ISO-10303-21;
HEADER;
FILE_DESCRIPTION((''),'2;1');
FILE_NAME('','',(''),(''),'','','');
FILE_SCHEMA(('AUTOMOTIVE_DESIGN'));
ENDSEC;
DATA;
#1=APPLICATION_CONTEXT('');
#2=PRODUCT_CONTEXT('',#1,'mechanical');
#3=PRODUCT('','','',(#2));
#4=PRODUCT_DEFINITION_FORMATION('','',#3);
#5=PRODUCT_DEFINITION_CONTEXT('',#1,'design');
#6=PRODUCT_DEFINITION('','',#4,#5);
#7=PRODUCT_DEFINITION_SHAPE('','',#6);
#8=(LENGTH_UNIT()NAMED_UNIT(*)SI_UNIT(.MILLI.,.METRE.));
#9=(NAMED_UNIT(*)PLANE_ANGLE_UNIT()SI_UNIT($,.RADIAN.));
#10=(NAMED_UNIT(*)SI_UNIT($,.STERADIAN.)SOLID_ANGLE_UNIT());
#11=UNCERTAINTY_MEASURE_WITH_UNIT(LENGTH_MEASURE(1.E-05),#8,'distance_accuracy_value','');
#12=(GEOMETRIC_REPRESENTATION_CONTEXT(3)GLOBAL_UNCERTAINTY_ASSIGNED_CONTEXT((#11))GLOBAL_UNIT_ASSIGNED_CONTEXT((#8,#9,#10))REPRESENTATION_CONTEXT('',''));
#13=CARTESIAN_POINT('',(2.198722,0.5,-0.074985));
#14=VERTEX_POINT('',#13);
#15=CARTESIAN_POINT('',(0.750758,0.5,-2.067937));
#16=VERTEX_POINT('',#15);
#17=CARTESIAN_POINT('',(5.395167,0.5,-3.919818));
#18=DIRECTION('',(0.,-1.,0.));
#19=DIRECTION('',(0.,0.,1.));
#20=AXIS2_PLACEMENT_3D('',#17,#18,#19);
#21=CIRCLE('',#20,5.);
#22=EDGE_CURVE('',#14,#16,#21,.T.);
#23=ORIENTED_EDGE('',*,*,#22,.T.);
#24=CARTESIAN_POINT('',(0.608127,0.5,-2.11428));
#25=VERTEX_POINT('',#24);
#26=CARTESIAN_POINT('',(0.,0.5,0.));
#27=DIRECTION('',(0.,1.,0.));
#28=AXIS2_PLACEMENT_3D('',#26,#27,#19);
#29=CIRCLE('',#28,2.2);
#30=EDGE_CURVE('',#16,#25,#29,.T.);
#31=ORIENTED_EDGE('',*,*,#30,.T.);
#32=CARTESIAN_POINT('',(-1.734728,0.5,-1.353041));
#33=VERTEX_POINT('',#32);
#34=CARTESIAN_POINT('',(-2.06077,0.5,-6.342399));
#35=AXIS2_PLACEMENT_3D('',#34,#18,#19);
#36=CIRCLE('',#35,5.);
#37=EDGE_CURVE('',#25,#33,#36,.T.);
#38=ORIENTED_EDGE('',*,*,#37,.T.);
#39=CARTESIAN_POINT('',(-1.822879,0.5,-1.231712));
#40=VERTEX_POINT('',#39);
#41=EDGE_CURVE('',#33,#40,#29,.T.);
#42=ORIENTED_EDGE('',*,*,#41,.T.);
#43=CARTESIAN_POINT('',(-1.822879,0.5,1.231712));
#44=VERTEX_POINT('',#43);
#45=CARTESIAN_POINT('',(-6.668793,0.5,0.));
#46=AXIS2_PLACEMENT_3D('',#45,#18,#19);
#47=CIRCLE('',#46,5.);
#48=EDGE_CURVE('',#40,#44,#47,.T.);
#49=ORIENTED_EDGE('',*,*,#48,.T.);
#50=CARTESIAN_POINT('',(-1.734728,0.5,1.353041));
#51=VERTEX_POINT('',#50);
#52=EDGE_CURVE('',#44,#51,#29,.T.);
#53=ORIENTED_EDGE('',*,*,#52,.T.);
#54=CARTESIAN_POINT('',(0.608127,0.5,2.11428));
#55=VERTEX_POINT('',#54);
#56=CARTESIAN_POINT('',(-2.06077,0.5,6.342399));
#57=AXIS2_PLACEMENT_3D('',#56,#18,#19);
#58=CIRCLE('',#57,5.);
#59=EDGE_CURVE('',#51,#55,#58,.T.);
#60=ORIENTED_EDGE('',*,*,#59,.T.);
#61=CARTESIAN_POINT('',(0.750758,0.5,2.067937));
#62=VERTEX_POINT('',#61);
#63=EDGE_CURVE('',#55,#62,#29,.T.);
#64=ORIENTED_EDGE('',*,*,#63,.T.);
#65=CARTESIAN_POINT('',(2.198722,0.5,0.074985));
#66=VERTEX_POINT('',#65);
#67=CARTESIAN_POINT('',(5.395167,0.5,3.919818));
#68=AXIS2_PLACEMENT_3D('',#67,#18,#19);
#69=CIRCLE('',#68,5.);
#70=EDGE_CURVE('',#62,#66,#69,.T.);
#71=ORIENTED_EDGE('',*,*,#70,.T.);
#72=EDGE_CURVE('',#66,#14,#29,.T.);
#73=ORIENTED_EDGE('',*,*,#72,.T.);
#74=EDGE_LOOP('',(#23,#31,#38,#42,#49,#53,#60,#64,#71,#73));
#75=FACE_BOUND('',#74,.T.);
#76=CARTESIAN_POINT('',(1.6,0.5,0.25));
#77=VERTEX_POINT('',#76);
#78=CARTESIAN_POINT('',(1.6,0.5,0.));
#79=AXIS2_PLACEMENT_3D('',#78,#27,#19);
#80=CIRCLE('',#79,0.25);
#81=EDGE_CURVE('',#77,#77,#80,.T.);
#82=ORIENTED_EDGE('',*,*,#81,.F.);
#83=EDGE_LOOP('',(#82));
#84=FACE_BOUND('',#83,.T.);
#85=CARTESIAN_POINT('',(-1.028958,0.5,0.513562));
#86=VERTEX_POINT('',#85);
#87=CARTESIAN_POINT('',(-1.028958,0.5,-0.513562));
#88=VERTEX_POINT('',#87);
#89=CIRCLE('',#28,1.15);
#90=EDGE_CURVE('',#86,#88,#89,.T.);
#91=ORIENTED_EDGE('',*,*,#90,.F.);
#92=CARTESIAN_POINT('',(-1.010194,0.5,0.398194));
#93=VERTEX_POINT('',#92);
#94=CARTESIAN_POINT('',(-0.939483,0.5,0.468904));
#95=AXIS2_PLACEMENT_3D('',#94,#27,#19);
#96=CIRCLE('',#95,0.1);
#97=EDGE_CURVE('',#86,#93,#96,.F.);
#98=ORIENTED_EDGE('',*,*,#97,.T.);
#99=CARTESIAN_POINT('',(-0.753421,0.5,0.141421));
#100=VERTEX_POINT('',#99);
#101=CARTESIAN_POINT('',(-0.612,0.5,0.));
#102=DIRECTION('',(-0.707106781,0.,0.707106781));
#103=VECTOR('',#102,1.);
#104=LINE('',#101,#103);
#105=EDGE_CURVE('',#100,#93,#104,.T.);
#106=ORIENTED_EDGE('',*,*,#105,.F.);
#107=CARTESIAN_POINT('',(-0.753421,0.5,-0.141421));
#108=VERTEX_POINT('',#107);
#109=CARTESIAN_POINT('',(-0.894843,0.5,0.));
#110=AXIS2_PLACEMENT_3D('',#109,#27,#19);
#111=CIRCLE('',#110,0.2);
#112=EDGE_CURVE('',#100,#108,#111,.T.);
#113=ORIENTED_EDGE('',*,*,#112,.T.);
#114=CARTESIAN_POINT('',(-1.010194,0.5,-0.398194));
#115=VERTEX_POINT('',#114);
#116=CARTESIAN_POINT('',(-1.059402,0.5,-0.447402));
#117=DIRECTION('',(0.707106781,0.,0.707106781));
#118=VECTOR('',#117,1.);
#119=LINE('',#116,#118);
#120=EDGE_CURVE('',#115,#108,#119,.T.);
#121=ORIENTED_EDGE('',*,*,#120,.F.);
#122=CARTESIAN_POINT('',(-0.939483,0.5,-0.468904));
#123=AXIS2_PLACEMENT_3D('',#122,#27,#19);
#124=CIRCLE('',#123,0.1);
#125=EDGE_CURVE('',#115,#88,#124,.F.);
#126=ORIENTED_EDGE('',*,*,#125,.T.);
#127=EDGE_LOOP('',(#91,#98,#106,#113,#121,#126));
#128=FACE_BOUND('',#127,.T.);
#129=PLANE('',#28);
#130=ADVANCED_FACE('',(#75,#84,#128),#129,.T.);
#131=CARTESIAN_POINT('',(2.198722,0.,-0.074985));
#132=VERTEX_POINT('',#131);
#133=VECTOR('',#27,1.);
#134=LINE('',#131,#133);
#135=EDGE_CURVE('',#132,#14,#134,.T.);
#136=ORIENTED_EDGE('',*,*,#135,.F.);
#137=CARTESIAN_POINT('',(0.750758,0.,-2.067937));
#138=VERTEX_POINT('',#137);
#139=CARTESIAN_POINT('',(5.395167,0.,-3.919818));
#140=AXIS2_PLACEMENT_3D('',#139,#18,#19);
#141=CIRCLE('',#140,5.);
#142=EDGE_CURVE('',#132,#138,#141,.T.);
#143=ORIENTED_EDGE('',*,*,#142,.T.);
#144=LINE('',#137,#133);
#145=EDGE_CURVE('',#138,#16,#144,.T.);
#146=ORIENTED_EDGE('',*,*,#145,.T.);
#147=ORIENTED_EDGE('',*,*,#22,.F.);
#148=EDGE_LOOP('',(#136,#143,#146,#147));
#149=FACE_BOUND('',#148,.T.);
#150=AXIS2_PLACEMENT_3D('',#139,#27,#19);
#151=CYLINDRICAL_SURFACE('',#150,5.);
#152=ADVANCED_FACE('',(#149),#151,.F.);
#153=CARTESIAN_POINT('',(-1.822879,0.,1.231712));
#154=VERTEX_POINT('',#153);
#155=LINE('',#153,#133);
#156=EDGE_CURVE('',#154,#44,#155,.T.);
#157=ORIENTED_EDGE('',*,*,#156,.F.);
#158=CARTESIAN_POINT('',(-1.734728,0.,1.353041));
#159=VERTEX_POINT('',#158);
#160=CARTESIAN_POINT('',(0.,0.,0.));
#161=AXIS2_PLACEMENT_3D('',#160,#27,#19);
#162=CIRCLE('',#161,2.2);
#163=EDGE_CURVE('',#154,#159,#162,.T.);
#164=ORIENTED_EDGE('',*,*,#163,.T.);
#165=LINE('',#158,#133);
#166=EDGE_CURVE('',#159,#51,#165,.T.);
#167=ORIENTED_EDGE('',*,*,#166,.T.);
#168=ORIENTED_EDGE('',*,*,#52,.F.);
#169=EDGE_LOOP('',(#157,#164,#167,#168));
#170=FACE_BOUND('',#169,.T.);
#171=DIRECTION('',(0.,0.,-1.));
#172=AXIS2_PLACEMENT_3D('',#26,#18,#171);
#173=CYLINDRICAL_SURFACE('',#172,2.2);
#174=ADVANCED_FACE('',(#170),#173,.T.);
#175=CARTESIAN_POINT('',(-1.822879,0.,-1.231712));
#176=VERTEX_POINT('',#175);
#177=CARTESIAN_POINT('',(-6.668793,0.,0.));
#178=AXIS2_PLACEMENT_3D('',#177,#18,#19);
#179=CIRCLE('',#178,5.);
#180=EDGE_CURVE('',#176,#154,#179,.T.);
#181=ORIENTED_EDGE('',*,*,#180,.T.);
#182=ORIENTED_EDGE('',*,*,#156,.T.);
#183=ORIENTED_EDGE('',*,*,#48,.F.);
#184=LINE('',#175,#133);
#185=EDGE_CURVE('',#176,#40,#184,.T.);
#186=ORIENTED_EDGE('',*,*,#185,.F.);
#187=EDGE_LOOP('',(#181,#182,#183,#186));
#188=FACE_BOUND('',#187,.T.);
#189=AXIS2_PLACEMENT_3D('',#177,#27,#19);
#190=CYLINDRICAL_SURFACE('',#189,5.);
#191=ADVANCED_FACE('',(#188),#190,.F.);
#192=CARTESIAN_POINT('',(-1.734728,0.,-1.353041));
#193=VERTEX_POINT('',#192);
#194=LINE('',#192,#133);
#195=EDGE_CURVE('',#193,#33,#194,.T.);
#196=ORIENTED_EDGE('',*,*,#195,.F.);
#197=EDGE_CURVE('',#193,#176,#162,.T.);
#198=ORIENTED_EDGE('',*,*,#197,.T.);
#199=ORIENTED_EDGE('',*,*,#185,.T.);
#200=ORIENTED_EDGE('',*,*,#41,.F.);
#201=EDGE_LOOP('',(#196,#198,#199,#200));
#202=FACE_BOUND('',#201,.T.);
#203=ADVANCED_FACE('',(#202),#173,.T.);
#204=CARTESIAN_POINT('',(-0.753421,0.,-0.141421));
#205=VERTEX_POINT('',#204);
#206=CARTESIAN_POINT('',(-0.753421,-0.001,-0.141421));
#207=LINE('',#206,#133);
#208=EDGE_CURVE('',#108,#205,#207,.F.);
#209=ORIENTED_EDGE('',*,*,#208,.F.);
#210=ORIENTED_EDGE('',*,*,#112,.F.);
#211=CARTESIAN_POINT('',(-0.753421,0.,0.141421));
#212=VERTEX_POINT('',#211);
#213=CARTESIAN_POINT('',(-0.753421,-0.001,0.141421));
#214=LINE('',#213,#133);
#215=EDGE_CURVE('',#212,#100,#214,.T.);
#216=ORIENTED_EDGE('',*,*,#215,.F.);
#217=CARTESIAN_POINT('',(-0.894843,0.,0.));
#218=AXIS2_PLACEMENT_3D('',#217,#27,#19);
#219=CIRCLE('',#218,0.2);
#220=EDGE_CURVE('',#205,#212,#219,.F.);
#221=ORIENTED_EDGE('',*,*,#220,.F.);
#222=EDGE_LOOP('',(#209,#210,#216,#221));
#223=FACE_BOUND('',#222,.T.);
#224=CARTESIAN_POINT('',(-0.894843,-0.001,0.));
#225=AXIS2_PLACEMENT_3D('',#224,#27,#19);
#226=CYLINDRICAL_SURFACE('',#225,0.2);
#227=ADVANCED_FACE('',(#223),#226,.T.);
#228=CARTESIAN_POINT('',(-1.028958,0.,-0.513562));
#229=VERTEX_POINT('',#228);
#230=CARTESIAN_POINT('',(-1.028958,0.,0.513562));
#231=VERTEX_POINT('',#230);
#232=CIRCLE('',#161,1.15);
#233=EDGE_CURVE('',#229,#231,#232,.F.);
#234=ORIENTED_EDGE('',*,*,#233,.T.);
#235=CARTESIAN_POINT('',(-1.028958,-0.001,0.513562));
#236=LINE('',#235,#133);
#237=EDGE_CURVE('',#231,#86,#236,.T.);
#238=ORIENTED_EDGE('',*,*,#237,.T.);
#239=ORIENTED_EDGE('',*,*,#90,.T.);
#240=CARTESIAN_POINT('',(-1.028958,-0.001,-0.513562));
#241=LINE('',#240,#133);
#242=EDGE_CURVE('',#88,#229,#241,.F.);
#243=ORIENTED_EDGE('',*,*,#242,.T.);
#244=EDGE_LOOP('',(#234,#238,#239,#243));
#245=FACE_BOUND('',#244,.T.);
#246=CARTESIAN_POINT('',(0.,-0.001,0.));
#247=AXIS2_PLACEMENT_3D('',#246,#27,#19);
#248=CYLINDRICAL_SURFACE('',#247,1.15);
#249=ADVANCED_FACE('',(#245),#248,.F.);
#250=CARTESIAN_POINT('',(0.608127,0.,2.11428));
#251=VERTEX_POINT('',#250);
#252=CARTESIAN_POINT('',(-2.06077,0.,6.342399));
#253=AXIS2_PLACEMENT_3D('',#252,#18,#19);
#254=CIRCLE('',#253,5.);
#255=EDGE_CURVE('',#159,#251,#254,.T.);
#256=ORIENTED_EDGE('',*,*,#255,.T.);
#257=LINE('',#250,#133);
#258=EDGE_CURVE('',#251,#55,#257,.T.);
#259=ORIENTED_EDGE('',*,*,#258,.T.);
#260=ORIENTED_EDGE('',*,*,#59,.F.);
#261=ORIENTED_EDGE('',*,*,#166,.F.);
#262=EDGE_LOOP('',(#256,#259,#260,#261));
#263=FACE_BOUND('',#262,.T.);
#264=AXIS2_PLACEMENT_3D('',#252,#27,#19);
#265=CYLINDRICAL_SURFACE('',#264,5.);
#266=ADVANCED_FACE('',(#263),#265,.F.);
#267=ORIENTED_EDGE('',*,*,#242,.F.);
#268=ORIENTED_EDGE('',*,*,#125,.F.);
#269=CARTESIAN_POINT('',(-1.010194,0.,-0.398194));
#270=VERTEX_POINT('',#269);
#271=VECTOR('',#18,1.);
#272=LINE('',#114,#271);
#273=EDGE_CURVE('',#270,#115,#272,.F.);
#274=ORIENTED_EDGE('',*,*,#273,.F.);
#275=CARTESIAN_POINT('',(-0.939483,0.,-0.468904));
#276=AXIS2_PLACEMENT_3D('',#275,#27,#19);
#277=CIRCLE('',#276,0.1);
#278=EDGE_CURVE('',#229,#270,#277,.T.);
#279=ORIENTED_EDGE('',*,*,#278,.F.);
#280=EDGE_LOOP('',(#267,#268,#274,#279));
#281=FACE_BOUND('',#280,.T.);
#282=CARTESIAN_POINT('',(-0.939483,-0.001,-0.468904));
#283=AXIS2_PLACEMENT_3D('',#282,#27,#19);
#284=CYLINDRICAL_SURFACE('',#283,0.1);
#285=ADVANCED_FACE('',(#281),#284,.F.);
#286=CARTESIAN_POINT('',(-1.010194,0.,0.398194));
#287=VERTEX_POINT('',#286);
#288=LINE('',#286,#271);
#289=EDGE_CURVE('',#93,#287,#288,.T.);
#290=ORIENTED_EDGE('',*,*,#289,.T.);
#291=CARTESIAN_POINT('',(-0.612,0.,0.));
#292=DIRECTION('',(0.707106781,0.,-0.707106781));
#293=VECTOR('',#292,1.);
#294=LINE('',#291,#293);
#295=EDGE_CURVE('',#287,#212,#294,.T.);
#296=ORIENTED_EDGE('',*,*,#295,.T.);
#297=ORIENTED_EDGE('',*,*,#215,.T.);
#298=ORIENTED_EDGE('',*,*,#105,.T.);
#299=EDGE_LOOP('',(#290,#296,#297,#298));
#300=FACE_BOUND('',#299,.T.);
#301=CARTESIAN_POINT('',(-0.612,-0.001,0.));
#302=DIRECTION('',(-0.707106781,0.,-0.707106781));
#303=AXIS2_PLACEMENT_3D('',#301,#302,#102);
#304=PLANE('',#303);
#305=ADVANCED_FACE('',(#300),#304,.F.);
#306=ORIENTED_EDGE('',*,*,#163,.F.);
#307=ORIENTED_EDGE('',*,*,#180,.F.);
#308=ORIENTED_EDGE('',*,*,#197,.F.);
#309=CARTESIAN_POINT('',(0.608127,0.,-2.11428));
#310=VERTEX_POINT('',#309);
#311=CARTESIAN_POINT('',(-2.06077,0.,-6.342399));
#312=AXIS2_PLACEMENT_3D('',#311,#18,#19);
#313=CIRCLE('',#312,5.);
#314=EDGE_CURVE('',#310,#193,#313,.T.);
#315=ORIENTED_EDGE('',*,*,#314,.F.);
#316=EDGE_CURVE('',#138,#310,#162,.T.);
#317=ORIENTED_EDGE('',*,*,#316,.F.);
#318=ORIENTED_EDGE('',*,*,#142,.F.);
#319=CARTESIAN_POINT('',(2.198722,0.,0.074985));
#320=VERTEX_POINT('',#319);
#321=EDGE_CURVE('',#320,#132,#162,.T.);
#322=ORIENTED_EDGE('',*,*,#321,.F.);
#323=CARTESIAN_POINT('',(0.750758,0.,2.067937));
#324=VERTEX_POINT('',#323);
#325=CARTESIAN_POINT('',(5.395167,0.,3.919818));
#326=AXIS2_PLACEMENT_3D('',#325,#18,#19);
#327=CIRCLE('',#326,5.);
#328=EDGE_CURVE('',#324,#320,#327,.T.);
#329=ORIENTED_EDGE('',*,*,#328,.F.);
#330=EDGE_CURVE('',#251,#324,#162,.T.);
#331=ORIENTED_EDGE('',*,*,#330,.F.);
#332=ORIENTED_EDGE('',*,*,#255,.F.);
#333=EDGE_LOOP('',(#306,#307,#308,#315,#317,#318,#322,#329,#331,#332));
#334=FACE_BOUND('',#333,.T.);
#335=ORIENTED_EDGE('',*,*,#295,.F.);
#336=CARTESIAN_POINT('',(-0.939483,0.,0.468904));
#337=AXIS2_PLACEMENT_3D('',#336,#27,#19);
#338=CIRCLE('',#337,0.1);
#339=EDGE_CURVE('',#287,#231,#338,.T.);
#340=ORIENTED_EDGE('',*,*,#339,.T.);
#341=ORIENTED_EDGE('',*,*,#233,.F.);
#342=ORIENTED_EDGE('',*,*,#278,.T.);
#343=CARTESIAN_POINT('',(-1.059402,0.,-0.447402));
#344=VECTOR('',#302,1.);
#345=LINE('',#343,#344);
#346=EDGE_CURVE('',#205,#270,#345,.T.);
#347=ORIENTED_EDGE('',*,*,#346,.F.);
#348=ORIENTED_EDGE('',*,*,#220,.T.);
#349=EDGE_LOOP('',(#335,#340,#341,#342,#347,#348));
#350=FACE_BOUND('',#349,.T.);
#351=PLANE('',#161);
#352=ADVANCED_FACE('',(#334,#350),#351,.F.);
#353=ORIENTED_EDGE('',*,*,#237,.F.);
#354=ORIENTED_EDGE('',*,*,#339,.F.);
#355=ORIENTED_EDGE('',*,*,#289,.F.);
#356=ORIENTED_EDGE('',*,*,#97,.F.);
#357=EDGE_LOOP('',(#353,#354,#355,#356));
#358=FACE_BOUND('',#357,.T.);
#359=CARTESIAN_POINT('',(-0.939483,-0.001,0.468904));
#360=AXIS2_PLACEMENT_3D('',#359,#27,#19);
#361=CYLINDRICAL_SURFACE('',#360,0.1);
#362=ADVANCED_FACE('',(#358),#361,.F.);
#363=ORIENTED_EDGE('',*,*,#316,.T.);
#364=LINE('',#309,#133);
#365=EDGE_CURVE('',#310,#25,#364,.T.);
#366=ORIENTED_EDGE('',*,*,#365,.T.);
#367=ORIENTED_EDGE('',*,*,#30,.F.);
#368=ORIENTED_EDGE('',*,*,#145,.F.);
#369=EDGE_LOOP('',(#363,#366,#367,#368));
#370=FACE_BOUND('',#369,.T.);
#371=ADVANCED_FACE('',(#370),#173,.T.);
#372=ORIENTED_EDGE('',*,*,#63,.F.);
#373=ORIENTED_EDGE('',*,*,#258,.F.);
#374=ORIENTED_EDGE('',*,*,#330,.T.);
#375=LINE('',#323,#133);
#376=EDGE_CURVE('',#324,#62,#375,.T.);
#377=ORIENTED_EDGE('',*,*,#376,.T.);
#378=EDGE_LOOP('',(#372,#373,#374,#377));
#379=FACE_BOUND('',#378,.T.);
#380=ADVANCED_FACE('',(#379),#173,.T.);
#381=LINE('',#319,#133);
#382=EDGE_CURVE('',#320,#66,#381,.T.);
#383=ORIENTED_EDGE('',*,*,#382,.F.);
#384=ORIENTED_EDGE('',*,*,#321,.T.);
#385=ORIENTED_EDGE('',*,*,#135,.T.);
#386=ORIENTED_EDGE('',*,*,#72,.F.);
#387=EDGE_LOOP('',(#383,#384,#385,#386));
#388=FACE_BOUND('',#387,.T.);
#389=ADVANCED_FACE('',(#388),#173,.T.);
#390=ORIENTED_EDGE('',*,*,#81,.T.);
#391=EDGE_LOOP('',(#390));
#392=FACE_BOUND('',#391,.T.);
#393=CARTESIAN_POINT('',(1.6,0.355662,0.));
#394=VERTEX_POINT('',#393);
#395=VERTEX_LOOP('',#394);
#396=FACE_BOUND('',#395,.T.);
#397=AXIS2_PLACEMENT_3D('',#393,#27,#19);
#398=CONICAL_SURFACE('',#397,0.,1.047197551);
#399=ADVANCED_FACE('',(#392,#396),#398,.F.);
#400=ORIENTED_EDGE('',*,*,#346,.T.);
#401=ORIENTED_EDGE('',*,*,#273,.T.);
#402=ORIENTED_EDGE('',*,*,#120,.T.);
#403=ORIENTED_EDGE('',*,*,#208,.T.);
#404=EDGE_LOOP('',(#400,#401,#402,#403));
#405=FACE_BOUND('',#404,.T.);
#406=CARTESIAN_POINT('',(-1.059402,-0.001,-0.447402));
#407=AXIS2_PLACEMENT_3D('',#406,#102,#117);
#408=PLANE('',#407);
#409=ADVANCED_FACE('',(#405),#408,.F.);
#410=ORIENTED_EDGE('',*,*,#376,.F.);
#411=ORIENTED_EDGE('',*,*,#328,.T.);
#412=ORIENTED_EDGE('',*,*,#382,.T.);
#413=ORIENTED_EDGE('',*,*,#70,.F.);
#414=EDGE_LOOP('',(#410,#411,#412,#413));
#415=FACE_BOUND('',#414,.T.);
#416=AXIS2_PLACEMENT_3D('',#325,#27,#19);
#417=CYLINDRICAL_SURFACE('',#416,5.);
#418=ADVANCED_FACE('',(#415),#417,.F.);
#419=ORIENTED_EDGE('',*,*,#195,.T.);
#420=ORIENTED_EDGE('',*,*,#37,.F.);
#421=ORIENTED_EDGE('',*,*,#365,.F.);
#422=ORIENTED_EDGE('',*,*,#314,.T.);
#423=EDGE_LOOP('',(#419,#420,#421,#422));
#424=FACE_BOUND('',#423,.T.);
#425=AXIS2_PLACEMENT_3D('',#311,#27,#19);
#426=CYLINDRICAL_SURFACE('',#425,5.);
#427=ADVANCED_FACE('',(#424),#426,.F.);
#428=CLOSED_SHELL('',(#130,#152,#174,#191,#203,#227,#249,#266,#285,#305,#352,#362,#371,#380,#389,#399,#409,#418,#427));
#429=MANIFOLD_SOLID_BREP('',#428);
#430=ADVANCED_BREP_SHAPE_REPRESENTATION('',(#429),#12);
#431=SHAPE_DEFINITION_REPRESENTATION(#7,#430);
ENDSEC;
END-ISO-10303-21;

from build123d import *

# Parameters (mm, degrees)
SKETCH2_R           = 2.2
BOSS_EXTRUDE2_DEPTH = 0.5
SKETCH3_OUTSIDE_W   = 7.648
SKETCH3_OUTSIDE_H   = 7.648
CUT_EXTRUDE1_DEPTH  = 0.5
CUT_EXTRUDE2_REACH  = 2.5
FILLET1_R           = 0.2
FILLET2_R           = 0.1


with BuildPart() as part:
    # Sketch2 → Boss-Extrude2 (new body)
    with BuildSketch(Plane(origin=(0, 0, 0), x_dir=(1, 0, 0), z_dir=(0, 1, 0))):
        Circle(SKETCH2_R)
    extrude(amount=BOSS_EXTRUDE2_DEPTH)

    # Sketch3 outside → Cut-Extrude1 (cut)
    with BuildSketch(Plane(origin=(0, 0.5, 0), x_dir=(1, 0, 0), z_dir=(0, 1, 0))):
        Rectangle(SKETCH3_OUTSIDE_W, SKETCH3_OUTSIDE_H)
        with BuildLine():
            ThreePointArc((0.750757799, 2.067936829), (1.350081886, 0.980891906), (2.198721715, 0.074985473))
            ThreePointArc((2.198721715, 0.074985473), (2.2, 0), (2.198721715, -0.074985473))
            ThreePointArc((2.198721715, -0.074985473), (1.350081886, -0.980891906), (0.750757799, -2.067936829))
            ThreePointArc((0.750757799, -2.067936829), (0.679837388, -2.092324336), (0.608126953, -2.1142804))
            ThreePointArc((0.608126953, -2.1142804), (-0.515685393, -1.587116444), (-1.734727878, -1.35304072))
            ThreePointArc((-1.734727878, -1.35304072), (-1.779837388, -1.293127555), (-1.822878589, -1.231711675))
            ThreePointArc((-1.822878589, -1.231711675), (-1.668792986, 0), (-1.822878589, 1.231711675))
            ThreePointArc((-1.822878589, 1.231711675), (-1.779837388, 1.293127555), (-1.734727878, 1.35304072))
            ThreePointArc((-1.734727878, 1.35304072), (-0.515685393, 1.587116444), (0.608126953, 2.1142804))
            ThreePointArc((0.608126953, 2.1142804), (0.679837388, 2.092324336), (0.750757799, 2.067936829))
        make_face(mode=Mode.SUBTRACT)
    extrude(amount=-CUT_EXTRUDE1_DEPTH, mode=Mode.SUBTRACT)

    # Sketch4 → Cut-Extrude2 (cut, up to next)
    with BuildSketch(Plane(origin=(0, 0.5, 0), x_dir=(1, 0, 0), z_dir=(0, 1, 0)), mode=Mode.PRIVATE) as cut_extrude2_sk1:
        with BuildLine():
            Line((-1.059401619, 0.447401619), (-0.612, 0))
            Line((-0.612, 0), (-1.059401619, -0.447401619))
            ThreePointArc((-1.059401619, -0.447401619), (1.15, 0), (-1.059401619, 0.447401619))
        make_face()
    cut_extrude2_tool1 = extrude(cut_extrude2_sk1.sketch, amount=-CUT_EXTRUDE2_REACH, mode=Mode.PRIVATE) & part.part
    add(cut_extrude2_tool1.solids().sort_by_distance((0.062027, 0.5, 0))[0], mode=Mode.SUBTRACT)

    # Fillet1
    fillet1_edges = [part.edges().sort_by_distance(p)[0] for p in [
        (-0.612, 0.25, 0),
    ]]
    fillet(fillet1_edges, radius=FILLET1_R)

    # Fillet2
    fillet2_edges = [part.edges().sort_by_distance(p)[0] for p in [
        (-1.059401619, 0.25, -0.447401619),
        (-1.059401619, 0.25, 0.447401619),
    ]]
    fillet(fillet2_edges, radius=FILLET2_R)

    # Sketch6 → Cut-Revolve7 (revolve, cut)
    with BuildSketch(Plane.XY):
        Polygon((1.6, 0.5), (1.6, 0.355662433), (1.85, 0.5), align=None)
    revolve(axis=Axis((1.6, 0.5, 0), (0, -1, 0)), mode=Mode.SUBTRACT)


solid = part.part
